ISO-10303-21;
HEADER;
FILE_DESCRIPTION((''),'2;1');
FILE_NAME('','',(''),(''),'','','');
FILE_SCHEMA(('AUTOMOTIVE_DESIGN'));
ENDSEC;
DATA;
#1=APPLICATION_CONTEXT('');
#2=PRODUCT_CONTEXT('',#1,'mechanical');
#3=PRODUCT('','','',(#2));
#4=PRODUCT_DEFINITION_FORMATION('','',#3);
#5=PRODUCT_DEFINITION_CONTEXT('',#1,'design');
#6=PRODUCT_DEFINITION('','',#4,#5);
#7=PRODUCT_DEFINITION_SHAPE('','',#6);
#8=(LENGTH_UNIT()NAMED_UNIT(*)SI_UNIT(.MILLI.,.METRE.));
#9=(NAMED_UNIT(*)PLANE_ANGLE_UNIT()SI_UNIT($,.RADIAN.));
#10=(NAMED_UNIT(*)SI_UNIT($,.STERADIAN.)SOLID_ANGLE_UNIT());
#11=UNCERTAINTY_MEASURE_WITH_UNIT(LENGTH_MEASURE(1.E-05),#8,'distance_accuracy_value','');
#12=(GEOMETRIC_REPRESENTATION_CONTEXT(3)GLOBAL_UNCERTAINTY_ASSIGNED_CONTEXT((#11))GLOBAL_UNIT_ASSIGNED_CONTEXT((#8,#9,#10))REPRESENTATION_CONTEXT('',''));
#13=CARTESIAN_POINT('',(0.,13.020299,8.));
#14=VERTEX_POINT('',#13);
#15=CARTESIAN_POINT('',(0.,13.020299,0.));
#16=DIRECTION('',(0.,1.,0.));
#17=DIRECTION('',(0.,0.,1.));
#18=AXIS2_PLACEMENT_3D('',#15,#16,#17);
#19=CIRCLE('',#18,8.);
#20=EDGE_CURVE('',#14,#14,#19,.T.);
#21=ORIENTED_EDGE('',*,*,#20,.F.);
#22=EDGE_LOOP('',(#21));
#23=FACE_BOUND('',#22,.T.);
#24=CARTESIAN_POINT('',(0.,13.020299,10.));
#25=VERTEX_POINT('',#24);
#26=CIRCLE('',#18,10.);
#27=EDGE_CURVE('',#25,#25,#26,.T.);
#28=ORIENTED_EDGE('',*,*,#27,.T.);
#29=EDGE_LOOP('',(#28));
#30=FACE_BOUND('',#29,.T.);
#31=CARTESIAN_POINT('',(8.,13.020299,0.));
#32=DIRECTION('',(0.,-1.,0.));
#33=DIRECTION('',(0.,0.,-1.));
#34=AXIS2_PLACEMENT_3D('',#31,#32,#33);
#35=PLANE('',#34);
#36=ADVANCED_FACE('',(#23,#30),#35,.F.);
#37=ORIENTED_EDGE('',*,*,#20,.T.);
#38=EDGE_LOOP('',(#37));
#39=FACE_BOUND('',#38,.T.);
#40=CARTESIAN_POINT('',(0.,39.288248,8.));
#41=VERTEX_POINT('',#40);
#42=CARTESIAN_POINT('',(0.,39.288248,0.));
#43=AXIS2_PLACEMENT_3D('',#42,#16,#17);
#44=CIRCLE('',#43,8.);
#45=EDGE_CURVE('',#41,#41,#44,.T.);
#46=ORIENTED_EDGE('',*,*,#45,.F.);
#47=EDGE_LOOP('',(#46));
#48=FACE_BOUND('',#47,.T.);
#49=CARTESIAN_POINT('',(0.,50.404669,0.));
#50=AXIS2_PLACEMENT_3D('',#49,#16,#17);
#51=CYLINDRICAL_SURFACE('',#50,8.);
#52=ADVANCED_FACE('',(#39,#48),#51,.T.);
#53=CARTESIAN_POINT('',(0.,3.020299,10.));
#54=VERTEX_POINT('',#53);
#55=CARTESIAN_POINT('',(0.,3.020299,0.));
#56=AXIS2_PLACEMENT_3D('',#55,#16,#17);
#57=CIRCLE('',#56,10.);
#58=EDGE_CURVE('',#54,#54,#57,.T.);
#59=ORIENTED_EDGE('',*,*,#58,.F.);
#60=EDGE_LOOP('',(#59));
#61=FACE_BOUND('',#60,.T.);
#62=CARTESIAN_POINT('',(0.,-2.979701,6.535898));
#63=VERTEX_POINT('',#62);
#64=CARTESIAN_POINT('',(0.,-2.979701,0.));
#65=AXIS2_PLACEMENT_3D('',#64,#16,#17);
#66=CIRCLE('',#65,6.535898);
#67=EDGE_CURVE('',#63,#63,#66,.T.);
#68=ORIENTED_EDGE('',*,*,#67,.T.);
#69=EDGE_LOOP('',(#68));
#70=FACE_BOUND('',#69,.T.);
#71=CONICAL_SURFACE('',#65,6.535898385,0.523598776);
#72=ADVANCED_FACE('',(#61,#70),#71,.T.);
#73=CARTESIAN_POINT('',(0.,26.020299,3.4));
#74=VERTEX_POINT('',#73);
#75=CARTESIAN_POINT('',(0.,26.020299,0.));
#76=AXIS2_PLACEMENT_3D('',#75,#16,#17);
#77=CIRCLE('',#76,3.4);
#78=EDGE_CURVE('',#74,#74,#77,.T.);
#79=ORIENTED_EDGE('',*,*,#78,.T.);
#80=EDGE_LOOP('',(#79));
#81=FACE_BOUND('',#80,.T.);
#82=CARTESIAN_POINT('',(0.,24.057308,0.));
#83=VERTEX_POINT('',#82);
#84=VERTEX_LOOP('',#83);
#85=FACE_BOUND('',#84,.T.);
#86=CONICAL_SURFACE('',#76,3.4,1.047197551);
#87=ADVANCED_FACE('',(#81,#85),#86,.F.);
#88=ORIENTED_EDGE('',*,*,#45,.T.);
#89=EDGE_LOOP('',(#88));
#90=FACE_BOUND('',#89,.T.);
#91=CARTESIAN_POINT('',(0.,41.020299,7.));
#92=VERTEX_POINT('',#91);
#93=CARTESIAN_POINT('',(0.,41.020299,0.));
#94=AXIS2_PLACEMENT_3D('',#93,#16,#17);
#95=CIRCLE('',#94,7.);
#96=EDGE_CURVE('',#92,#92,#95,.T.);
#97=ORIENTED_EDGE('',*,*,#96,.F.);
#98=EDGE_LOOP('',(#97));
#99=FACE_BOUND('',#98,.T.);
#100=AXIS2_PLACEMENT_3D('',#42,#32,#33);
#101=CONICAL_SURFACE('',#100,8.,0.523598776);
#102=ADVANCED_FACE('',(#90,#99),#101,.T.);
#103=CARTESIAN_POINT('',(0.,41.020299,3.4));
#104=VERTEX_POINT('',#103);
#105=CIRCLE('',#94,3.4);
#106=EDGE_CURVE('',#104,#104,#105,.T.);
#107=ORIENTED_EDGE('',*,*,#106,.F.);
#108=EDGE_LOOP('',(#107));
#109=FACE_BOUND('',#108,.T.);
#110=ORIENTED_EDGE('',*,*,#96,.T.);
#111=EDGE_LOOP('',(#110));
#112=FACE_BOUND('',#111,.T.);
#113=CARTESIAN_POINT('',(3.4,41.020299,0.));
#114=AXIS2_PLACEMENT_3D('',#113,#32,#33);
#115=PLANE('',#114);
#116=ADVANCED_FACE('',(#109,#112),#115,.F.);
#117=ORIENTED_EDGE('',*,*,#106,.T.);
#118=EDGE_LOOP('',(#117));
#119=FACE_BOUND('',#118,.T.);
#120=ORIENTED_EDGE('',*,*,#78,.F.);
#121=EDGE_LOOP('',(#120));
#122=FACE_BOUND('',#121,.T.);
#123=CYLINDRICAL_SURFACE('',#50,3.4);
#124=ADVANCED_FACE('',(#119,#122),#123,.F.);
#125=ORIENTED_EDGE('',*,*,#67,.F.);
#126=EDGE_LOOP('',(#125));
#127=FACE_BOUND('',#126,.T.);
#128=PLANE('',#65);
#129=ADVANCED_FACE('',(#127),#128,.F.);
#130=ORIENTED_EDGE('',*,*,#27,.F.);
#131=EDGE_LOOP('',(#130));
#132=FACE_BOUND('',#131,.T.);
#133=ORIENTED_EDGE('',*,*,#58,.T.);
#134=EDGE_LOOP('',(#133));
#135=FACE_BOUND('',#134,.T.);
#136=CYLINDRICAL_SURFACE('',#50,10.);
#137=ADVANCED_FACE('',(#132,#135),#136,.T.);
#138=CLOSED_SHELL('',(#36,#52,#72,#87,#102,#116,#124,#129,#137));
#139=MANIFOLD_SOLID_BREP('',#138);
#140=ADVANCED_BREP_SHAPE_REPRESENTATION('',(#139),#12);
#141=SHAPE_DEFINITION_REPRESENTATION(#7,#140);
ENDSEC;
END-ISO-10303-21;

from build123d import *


with BuildPart() as part:
    # 草图1 → Revolve 480 (revolve)
    with BuildSketch(Plane.XY, mode=Mode.PRIVATE) as revolve_480_sk:
        Polygon((3.4, 41.02029906), (7, 41.02029906), (8, 39.288248252), (8, 13.02029906), (10, 13.02029906), (10, 3.02029906), (6.535898385, -2.97970094), (0, -2.97970094), (0, 24.057308144), (3.4, 26.02029906), align=None)
    revolve(revolve_480_sk.sketch.rotate(Axis((0, 50.404669261, 0), (0, -1, 0)), 90), axis=Axis((0, 50.404669261, 0), (0, -1, 0)))


solid = part.part
